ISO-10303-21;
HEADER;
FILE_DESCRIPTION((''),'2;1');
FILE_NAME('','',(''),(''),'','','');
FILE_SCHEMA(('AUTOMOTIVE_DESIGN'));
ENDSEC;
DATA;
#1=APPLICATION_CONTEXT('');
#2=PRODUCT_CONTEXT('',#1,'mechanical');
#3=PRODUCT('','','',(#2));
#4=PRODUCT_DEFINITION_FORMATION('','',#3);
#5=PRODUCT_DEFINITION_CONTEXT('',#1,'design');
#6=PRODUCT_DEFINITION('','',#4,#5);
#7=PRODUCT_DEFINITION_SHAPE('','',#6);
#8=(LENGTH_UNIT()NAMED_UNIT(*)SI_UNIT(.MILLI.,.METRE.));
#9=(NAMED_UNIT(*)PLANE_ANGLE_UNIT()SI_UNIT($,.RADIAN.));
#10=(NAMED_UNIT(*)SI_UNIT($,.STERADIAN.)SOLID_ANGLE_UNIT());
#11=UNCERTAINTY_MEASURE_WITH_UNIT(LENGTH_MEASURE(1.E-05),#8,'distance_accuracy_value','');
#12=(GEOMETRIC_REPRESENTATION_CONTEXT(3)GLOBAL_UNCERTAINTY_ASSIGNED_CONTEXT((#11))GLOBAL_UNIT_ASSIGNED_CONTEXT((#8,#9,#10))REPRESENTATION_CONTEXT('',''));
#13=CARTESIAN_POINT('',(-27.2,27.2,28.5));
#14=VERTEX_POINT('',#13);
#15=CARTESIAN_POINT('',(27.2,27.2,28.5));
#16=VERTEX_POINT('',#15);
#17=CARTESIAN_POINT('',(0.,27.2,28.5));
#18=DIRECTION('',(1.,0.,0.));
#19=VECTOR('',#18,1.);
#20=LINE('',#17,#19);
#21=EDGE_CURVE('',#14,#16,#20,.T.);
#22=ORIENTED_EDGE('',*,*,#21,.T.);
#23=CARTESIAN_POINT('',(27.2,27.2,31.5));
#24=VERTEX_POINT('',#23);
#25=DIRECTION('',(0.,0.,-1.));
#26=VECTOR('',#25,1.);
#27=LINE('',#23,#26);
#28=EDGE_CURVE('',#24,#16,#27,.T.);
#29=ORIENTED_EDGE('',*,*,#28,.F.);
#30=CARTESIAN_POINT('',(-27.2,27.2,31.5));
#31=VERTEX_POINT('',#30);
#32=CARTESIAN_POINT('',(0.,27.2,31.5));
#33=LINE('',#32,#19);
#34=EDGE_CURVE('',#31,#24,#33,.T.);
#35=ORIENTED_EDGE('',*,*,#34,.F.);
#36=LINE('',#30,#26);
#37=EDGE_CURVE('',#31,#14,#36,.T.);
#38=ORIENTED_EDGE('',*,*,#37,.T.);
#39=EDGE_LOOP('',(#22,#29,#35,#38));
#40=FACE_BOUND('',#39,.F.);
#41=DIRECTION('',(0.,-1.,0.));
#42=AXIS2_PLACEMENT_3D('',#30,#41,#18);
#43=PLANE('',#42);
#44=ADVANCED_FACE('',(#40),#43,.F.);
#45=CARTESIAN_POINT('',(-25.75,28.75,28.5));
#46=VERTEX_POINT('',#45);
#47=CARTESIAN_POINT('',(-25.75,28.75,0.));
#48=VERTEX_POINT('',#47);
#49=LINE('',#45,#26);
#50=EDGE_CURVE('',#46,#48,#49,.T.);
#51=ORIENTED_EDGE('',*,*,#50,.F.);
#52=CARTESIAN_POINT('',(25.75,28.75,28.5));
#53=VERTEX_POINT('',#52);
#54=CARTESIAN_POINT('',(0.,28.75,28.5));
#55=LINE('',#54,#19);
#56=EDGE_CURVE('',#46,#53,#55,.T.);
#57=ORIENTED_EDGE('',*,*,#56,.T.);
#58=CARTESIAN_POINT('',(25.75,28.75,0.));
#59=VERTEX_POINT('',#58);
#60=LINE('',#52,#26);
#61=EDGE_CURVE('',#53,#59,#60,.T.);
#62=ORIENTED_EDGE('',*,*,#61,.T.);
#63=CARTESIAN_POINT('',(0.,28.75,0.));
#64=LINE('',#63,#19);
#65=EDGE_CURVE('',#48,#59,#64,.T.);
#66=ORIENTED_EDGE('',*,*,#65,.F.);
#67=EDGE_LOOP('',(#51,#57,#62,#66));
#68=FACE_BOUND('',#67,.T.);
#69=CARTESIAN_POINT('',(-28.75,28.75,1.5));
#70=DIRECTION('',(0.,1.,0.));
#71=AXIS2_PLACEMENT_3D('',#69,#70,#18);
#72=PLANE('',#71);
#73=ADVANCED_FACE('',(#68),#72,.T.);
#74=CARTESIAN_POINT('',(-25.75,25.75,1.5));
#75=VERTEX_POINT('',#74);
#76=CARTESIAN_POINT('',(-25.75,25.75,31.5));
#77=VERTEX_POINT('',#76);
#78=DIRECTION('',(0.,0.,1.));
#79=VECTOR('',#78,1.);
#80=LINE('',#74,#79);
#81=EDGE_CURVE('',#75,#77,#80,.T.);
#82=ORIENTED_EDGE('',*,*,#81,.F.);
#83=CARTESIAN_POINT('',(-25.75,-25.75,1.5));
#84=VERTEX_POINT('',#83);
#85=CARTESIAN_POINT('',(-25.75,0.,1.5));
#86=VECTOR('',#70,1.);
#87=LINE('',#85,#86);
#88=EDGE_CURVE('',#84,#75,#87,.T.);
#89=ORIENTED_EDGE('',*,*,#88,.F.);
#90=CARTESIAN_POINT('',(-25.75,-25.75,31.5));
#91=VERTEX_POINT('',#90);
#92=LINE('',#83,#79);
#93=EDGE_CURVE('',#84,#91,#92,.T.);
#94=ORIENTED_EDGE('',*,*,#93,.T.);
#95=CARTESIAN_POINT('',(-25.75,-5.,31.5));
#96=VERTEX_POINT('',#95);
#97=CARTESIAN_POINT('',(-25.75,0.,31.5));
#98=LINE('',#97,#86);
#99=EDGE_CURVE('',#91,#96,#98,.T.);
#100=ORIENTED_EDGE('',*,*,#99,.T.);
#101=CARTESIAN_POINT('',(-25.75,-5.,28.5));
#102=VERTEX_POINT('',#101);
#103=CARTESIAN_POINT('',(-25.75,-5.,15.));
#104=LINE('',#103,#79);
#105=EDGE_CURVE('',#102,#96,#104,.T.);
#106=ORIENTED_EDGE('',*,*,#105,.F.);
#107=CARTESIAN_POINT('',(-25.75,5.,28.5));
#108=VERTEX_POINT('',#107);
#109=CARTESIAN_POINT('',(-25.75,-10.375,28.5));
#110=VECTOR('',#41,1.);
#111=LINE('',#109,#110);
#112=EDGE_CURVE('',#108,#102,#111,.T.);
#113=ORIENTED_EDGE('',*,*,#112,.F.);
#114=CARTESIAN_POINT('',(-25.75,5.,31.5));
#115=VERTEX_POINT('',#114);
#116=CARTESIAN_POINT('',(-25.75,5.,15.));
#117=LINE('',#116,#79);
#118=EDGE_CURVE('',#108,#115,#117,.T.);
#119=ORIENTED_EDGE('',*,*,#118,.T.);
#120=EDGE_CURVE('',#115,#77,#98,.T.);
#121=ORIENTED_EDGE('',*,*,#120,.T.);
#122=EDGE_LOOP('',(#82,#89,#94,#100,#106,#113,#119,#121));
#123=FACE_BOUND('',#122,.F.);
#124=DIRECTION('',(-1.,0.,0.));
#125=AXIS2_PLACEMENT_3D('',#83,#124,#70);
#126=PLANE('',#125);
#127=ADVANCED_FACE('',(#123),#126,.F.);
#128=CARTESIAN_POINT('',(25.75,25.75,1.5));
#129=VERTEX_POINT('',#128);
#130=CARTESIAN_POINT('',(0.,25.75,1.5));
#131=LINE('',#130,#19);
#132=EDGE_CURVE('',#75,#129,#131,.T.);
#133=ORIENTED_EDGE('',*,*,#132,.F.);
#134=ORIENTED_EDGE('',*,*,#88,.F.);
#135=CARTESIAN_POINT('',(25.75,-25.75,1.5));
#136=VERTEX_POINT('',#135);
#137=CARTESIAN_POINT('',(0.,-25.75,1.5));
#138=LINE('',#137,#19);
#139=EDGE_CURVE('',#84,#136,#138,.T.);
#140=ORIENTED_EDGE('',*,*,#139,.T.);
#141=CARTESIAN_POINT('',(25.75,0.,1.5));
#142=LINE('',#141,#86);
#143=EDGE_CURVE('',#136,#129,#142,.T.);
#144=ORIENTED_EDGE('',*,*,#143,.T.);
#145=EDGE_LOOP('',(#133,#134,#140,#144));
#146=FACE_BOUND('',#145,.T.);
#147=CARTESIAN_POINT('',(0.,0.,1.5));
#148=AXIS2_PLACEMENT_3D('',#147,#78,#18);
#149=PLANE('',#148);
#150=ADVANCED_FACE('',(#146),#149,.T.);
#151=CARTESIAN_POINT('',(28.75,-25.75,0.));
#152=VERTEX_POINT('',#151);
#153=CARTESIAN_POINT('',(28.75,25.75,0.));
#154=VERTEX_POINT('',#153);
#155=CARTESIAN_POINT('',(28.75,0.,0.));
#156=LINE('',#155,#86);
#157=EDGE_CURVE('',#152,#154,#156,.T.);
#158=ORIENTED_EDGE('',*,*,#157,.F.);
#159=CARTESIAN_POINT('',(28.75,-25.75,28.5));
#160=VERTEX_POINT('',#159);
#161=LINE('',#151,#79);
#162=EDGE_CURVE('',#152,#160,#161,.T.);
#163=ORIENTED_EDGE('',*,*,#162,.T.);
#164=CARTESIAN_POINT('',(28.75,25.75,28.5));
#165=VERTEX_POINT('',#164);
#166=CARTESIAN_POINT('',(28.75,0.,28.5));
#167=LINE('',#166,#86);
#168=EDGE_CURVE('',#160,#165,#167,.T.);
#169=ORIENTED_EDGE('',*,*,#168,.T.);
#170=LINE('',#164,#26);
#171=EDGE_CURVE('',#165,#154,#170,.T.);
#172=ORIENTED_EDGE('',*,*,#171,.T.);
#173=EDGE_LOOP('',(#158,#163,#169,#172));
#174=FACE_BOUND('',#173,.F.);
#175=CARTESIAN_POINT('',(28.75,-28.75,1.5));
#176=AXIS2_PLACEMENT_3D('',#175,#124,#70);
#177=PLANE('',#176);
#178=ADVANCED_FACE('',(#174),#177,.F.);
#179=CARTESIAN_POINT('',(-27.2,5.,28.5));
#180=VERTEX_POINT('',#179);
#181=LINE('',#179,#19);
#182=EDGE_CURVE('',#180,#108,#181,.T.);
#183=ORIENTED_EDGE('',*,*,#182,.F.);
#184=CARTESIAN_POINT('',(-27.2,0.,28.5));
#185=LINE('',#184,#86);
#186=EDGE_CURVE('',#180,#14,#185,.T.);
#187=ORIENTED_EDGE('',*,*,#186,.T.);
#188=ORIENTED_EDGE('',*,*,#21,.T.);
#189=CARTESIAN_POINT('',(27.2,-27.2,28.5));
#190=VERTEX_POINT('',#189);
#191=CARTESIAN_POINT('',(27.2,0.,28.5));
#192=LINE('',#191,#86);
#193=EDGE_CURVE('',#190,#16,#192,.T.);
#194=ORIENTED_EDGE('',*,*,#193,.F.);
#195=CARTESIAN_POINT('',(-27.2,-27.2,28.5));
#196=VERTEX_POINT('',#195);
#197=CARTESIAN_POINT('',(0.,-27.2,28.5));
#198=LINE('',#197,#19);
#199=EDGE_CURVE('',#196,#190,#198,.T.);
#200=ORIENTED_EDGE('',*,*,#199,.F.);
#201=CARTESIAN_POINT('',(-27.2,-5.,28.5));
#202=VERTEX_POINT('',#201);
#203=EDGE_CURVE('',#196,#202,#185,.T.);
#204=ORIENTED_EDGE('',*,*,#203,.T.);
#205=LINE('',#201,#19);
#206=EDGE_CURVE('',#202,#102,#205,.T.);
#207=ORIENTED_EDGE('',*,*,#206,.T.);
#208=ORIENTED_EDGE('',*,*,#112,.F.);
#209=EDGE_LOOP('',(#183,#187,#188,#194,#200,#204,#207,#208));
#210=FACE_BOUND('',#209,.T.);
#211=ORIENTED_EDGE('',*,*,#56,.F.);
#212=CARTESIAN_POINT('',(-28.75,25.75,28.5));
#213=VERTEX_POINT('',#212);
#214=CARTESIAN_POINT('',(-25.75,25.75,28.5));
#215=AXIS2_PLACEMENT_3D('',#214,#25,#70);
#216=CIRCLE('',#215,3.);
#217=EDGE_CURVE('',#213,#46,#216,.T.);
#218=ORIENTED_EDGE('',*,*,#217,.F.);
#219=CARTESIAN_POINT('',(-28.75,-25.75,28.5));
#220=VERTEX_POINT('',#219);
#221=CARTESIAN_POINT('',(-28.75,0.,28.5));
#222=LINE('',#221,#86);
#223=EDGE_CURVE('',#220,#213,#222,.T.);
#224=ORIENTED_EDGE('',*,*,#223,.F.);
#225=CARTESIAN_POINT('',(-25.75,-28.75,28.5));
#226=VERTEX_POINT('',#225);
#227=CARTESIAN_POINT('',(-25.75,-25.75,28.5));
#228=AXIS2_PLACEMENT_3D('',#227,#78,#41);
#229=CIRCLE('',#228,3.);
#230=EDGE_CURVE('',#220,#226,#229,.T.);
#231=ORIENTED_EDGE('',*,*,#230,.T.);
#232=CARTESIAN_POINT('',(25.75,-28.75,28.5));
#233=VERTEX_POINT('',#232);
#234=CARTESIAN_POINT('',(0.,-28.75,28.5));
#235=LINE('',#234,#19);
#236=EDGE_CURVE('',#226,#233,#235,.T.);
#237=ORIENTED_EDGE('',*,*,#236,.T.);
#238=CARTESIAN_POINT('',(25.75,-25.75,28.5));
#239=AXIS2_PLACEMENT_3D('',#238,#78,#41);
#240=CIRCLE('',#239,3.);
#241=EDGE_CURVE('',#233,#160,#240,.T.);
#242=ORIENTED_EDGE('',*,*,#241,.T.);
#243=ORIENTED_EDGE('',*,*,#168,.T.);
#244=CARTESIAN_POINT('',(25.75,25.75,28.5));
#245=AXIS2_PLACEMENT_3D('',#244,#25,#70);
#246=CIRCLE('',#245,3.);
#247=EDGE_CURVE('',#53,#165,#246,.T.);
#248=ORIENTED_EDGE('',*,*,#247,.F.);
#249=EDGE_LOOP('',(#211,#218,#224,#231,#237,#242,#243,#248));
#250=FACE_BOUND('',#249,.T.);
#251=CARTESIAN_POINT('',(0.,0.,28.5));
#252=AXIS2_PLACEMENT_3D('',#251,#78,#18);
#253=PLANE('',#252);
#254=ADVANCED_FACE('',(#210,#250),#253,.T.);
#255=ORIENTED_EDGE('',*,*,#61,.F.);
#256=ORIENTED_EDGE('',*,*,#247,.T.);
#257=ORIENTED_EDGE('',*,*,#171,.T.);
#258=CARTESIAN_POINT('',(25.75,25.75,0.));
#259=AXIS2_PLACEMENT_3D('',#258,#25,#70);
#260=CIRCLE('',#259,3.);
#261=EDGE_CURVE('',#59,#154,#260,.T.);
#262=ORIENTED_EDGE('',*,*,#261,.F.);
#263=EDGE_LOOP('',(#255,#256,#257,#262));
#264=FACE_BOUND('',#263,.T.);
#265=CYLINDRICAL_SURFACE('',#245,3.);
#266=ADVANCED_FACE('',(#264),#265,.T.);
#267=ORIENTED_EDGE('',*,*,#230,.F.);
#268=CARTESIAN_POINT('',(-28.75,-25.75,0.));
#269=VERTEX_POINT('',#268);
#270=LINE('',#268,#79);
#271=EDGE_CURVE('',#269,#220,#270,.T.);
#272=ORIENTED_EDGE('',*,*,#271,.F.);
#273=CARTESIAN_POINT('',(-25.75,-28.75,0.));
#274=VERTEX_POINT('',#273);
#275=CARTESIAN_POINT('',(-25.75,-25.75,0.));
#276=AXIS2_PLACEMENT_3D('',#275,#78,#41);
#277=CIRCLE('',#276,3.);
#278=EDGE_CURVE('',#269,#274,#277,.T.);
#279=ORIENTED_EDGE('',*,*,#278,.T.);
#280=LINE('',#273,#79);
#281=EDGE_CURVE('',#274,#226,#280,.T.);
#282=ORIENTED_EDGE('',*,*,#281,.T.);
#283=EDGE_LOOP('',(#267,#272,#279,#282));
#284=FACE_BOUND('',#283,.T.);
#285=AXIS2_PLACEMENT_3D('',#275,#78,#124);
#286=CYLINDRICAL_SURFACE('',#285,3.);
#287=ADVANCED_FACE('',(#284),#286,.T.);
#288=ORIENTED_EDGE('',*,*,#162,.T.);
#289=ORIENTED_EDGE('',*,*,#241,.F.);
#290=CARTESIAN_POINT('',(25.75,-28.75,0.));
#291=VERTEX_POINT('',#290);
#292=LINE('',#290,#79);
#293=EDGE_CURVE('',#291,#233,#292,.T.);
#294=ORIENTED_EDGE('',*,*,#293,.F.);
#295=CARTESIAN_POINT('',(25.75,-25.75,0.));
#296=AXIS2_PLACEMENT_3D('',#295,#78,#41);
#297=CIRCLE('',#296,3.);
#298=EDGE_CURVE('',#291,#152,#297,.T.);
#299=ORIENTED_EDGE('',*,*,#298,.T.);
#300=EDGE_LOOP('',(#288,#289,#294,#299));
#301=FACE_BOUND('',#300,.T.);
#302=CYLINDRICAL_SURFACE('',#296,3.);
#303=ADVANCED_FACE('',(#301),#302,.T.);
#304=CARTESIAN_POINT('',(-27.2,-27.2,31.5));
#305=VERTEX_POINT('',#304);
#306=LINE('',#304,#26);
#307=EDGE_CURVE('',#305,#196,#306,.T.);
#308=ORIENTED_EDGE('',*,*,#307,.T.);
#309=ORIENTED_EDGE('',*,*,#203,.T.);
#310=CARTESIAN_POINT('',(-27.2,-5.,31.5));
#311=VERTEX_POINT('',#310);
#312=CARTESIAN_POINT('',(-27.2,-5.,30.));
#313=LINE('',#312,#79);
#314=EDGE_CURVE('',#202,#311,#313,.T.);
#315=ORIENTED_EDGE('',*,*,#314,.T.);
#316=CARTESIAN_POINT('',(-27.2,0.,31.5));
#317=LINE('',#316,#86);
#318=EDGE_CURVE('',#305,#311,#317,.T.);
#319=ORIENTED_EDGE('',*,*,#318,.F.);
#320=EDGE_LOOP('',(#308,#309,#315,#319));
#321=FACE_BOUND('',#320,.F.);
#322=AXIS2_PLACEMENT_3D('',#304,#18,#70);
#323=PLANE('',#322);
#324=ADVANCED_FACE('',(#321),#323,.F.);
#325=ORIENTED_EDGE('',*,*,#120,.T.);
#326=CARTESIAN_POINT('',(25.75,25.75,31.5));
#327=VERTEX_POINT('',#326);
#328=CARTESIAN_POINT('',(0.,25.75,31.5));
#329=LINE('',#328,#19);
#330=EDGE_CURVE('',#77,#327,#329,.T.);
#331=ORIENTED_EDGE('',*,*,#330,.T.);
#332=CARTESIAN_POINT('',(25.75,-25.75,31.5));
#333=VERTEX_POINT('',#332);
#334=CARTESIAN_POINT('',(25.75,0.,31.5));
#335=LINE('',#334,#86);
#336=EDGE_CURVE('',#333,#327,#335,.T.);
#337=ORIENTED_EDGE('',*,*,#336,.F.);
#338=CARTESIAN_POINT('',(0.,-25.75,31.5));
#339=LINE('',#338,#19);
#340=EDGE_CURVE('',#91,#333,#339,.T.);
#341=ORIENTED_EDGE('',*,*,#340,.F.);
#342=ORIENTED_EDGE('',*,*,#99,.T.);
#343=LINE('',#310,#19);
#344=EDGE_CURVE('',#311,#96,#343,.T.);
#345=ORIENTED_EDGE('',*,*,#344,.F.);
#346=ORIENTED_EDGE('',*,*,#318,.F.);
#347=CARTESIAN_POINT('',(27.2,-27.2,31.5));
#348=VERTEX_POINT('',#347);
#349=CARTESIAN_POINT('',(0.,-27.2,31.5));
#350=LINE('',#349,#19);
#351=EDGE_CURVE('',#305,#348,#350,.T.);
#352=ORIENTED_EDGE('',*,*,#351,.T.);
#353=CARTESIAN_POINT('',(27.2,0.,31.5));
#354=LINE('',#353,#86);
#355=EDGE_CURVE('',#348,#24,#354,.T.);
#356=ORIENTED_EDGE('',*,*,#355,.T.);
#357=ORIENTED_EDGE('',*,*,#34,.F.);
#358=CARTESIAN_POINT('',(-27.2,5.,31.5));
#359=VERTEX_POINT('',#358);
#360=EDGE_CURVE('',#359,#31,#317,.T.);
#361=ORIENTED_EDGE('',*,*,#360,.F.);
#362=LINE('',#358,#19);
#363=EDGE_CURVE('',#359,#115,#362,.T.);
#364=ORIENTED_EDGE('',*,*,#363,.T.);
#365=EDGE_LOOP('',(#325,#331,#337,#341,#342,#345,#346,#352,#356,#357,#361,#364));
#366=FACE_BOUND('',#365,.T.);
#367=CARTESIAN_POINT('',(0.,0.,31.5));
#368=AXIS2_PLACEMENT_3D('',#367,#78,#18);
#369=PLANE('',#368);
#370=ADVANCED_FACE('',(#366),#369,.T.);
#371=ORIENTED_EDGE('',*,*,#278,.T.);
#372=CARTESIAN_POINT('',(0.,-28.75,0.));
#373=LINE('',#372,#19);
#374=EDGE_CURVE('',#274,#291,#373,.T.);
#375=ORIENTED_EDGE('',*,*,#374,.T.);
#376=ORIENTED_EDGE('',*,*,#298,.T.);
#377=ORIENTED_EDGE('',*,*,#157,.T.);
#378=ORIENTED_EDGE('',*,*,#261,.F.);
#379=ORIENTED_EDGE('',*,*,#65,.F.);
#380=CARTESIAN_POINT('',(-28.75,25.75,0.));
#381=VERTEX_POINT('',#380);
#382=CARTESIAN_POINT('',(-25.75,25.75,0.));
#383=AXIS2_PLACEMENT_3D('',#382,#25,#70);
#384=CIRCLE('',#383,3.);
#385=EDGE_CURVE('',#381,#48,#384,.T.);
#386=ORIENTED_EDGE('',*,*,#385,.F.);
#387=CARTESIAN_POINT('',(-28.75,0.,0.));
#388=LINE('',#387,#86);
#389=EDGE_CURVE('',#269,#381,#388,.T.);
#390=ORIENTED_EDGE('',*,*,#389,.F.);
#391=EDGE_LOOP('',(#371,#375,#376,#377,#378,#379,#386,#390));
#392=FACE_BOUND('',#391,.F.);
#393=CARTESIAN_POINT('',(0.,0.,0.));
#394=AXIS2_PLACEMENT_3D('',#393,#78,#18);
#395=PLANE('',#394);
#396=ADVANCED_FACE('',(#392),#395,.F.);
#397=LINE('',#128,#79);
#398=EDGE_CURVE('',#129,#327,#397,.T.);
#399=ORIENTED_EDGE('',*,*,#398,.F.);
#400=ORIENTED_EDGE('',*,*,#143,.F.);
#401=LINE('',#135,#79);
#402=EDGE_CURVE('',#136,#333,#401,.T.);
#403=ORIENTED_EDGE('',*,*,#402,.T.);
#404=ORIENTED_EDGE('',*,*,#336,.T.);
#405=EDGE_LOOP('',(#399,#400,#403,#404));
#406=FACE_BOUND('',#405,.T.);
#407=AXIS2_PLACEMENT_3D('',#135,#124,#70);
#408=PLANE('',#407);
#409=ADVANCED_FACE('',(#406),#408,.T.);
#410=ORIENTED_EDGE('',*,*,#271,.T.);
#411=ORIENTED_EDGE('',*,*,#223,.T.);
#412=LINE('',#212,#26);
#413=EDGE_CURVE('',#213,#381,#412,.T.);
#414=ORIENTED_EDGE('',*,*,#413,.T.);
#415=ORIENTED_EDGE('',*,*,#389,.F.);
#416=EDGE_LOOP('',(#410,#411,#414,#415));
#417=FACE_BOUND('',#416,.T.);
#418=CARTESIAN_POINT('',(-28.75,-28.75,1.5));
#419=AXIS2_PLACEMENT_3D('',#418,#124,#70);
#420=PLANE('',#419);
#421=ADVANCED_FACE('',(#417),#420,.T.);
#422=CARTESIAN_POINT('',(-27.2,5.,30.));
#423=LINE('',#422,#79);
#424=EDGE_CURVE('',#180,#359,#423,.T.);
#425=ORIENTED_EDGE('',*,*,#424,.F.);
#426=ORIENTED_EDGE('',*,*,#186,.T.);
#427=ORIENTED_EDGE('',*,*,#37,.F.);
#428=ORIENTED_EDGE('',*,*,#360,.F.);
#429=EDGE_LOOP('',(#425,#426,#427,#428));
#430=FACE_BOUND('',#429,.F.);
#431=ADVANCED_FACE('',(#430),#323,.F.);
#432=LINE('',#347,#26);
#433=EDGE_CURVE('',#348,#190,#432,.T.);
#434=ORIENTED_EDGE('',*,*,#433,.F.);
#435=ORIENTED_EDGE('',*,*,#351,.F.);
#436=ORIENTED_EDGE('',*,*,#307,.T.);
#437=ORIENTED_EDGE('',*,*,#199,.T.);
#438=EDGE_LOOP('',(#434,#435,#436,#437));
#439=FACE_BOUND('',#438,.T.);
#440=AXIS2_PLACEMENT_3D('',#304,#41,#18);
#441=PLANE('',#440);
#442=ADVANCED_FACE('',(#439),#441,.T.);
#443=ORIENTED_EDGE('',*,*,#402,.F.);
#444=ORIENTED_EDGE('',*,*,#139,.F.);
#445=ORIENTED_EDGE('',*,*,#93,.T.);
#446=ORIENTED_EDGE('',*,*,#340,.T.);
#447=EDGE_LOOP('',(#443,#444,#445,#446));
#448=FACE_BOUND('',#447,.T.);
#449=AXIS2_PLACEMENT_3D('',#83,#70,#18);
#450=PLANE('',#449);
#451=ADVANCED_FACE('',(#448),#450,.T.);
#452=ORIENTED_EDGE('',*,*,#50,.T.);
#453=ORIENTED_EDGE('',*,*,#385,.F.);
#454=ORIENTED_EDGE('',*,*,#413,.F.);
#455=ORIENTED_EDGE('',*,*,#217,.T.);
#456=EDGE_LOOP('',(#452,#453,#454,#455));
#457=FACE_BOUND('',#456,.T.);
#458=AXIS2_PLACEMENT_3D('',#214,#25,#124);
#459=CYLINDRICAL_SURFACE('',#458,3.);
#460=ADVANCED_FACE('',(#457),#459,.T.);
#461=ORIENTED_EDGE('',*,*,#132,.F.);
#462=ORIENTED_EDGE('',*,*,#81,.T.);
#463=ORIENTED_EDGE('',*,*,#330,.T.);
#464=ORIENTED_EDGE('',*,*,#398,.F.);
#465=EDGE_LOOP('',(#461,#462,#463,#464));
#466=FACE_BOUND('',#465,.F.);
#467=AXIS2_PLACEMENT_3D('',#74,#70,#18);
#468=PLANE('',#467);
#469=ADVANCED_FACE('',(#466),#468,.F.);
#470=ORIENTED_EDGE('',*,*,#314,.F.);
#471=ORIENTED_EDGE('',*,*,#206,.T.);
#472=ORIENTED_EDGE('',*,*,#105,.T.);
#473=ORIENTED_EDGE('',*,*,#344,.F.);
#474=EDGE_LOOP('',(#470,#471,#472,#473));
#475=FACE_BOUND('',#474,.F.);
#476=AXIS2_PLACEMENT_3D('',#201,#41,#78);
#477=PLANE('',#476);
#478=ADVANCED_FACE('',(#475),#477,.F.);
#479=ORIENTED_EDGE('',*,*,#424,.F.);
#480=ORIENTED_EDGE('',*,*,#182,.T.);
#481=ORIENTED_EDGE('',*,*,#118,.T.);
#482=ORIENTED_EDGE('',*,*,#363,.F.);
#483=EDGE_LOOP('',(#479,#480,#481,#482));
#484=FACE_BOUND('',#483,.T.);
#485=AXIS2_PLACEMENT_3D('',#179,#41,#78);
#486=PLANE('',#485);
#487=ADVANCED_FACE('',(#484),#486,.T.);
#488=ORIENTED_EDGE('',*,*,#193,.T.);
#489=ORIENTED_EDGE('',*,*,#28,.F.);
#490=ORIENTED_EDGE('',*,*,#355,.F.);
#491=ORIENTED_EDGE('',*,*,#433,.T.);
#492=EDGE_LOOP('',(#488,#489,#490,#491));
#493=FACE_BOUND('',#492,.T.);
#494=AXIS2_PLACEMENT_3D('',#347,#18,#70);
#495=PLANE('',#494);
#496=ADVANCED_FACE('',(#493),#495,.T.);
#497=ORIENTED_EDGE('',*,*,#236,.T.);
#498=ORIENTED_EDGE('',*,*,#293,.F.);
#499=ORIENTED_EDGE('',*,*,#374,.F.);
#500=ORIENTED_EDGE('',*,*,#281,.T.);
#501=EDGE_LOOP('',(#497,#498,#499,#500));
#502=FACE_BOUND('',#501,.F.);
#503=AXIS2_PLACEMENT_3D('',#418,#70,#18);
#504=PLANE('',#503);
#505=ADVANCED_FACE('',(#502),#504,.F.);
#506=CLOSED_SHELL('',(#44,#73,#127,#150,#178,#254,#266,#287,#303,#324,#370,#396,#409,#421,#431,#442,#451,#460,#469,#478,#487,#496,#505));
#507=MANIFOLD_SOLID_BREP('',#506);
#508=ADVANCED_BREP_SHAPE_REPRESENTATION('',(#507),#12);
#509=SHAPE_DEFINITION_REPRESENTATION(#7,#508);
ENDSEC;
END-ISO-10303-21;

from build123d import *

# Parameters (mm, degrees)
SKETCH_W        = 57.5
SKETCH_H        = 57.5
PAD_DEPTH       = 1.5
SKETCH001_W     = 57.5
SKETCH001_H     = 57.5
SKETCH001_W_2   = 51.5
SKETCH001_H_2   = 51.5
PAD001_DEPTH    = 30
SKETCH002_W     = 57.5
SKETCH002_H     = 57.5
SKETCH002_W_2   = 54.4
SKETCH002_H_2   = 54.4
POCKET_DEPTH    = 3
FILLET_R        = 3
SKETCH003_W     = 10
SKETCH003_H     = 3
POCKET001_DEPTH = 5


with BuildPart() as part:
    # Sketch → Pad (new body)
    with BuildSketch(Plane.XY):
        Rectangle(SKETCH_W, SKETCH_H)
    extrude(amount=PAD_DEPTH)

    # Sketch001 (on Face6 of Pad) → Pad001 (join)
    with BuildSketch(Plane.XY.offset(1.5)):
        Rectangle(SKETCH001_W, SKETCH001_H)
        Rectangle(SKETCH001_W_2, SKETCH001_H_2, mode=Mode.SUBTRACT)
    extrude(amount=PAD001_DEPTH)

    # Sketch002 (on Face9 of Pad001) → Pocket (cut)
    with BuildSketch(Plane.XY.offset(31.5)):
        Rectangle(SKETCH002_W, SKETCH002_H)
        Rectangle(SKETCH002_W_2, SKETCH002_H_2, mode=Mode.SUBTRACT)
    extrude(amount=-POCKET_DEPTH, mode=Mode.SUBTRACT)

    # Fillet
    fillet_edges = [part.edges().sort_by_distance(p)[0] for p in [
        (-28.75, 28.75, 15),
        (-28.75, 28.75, 0.75),
        (-28.75, -28.75, 0.75),
        (-28.75, -28.75, 15),
        (28.75, -28.75, 0.75),
        (28.75, -28.75, 15),
        (28.75, 28.75, 15),
        (28.75, 28.75, 0.75),
    ]]
    fillet(fillet_edges, radius=FILLET_R)

    # Sketch003 (on Face22 of Fillet) → Pocket001 (cut)
    with BuildSketch(Plane(origin=(-27.2, 0, 0), x_dir=(0, -1, 0), z_dir=(-1, 0, 0))):
        with Locations((0, 30)):
            Rectangle(SKETCH003_W, SKETCH003_H)
    extrude(amount=-POCKET001_DEPTH, mode=Mode.SUBTRACT)


solid = part.part
